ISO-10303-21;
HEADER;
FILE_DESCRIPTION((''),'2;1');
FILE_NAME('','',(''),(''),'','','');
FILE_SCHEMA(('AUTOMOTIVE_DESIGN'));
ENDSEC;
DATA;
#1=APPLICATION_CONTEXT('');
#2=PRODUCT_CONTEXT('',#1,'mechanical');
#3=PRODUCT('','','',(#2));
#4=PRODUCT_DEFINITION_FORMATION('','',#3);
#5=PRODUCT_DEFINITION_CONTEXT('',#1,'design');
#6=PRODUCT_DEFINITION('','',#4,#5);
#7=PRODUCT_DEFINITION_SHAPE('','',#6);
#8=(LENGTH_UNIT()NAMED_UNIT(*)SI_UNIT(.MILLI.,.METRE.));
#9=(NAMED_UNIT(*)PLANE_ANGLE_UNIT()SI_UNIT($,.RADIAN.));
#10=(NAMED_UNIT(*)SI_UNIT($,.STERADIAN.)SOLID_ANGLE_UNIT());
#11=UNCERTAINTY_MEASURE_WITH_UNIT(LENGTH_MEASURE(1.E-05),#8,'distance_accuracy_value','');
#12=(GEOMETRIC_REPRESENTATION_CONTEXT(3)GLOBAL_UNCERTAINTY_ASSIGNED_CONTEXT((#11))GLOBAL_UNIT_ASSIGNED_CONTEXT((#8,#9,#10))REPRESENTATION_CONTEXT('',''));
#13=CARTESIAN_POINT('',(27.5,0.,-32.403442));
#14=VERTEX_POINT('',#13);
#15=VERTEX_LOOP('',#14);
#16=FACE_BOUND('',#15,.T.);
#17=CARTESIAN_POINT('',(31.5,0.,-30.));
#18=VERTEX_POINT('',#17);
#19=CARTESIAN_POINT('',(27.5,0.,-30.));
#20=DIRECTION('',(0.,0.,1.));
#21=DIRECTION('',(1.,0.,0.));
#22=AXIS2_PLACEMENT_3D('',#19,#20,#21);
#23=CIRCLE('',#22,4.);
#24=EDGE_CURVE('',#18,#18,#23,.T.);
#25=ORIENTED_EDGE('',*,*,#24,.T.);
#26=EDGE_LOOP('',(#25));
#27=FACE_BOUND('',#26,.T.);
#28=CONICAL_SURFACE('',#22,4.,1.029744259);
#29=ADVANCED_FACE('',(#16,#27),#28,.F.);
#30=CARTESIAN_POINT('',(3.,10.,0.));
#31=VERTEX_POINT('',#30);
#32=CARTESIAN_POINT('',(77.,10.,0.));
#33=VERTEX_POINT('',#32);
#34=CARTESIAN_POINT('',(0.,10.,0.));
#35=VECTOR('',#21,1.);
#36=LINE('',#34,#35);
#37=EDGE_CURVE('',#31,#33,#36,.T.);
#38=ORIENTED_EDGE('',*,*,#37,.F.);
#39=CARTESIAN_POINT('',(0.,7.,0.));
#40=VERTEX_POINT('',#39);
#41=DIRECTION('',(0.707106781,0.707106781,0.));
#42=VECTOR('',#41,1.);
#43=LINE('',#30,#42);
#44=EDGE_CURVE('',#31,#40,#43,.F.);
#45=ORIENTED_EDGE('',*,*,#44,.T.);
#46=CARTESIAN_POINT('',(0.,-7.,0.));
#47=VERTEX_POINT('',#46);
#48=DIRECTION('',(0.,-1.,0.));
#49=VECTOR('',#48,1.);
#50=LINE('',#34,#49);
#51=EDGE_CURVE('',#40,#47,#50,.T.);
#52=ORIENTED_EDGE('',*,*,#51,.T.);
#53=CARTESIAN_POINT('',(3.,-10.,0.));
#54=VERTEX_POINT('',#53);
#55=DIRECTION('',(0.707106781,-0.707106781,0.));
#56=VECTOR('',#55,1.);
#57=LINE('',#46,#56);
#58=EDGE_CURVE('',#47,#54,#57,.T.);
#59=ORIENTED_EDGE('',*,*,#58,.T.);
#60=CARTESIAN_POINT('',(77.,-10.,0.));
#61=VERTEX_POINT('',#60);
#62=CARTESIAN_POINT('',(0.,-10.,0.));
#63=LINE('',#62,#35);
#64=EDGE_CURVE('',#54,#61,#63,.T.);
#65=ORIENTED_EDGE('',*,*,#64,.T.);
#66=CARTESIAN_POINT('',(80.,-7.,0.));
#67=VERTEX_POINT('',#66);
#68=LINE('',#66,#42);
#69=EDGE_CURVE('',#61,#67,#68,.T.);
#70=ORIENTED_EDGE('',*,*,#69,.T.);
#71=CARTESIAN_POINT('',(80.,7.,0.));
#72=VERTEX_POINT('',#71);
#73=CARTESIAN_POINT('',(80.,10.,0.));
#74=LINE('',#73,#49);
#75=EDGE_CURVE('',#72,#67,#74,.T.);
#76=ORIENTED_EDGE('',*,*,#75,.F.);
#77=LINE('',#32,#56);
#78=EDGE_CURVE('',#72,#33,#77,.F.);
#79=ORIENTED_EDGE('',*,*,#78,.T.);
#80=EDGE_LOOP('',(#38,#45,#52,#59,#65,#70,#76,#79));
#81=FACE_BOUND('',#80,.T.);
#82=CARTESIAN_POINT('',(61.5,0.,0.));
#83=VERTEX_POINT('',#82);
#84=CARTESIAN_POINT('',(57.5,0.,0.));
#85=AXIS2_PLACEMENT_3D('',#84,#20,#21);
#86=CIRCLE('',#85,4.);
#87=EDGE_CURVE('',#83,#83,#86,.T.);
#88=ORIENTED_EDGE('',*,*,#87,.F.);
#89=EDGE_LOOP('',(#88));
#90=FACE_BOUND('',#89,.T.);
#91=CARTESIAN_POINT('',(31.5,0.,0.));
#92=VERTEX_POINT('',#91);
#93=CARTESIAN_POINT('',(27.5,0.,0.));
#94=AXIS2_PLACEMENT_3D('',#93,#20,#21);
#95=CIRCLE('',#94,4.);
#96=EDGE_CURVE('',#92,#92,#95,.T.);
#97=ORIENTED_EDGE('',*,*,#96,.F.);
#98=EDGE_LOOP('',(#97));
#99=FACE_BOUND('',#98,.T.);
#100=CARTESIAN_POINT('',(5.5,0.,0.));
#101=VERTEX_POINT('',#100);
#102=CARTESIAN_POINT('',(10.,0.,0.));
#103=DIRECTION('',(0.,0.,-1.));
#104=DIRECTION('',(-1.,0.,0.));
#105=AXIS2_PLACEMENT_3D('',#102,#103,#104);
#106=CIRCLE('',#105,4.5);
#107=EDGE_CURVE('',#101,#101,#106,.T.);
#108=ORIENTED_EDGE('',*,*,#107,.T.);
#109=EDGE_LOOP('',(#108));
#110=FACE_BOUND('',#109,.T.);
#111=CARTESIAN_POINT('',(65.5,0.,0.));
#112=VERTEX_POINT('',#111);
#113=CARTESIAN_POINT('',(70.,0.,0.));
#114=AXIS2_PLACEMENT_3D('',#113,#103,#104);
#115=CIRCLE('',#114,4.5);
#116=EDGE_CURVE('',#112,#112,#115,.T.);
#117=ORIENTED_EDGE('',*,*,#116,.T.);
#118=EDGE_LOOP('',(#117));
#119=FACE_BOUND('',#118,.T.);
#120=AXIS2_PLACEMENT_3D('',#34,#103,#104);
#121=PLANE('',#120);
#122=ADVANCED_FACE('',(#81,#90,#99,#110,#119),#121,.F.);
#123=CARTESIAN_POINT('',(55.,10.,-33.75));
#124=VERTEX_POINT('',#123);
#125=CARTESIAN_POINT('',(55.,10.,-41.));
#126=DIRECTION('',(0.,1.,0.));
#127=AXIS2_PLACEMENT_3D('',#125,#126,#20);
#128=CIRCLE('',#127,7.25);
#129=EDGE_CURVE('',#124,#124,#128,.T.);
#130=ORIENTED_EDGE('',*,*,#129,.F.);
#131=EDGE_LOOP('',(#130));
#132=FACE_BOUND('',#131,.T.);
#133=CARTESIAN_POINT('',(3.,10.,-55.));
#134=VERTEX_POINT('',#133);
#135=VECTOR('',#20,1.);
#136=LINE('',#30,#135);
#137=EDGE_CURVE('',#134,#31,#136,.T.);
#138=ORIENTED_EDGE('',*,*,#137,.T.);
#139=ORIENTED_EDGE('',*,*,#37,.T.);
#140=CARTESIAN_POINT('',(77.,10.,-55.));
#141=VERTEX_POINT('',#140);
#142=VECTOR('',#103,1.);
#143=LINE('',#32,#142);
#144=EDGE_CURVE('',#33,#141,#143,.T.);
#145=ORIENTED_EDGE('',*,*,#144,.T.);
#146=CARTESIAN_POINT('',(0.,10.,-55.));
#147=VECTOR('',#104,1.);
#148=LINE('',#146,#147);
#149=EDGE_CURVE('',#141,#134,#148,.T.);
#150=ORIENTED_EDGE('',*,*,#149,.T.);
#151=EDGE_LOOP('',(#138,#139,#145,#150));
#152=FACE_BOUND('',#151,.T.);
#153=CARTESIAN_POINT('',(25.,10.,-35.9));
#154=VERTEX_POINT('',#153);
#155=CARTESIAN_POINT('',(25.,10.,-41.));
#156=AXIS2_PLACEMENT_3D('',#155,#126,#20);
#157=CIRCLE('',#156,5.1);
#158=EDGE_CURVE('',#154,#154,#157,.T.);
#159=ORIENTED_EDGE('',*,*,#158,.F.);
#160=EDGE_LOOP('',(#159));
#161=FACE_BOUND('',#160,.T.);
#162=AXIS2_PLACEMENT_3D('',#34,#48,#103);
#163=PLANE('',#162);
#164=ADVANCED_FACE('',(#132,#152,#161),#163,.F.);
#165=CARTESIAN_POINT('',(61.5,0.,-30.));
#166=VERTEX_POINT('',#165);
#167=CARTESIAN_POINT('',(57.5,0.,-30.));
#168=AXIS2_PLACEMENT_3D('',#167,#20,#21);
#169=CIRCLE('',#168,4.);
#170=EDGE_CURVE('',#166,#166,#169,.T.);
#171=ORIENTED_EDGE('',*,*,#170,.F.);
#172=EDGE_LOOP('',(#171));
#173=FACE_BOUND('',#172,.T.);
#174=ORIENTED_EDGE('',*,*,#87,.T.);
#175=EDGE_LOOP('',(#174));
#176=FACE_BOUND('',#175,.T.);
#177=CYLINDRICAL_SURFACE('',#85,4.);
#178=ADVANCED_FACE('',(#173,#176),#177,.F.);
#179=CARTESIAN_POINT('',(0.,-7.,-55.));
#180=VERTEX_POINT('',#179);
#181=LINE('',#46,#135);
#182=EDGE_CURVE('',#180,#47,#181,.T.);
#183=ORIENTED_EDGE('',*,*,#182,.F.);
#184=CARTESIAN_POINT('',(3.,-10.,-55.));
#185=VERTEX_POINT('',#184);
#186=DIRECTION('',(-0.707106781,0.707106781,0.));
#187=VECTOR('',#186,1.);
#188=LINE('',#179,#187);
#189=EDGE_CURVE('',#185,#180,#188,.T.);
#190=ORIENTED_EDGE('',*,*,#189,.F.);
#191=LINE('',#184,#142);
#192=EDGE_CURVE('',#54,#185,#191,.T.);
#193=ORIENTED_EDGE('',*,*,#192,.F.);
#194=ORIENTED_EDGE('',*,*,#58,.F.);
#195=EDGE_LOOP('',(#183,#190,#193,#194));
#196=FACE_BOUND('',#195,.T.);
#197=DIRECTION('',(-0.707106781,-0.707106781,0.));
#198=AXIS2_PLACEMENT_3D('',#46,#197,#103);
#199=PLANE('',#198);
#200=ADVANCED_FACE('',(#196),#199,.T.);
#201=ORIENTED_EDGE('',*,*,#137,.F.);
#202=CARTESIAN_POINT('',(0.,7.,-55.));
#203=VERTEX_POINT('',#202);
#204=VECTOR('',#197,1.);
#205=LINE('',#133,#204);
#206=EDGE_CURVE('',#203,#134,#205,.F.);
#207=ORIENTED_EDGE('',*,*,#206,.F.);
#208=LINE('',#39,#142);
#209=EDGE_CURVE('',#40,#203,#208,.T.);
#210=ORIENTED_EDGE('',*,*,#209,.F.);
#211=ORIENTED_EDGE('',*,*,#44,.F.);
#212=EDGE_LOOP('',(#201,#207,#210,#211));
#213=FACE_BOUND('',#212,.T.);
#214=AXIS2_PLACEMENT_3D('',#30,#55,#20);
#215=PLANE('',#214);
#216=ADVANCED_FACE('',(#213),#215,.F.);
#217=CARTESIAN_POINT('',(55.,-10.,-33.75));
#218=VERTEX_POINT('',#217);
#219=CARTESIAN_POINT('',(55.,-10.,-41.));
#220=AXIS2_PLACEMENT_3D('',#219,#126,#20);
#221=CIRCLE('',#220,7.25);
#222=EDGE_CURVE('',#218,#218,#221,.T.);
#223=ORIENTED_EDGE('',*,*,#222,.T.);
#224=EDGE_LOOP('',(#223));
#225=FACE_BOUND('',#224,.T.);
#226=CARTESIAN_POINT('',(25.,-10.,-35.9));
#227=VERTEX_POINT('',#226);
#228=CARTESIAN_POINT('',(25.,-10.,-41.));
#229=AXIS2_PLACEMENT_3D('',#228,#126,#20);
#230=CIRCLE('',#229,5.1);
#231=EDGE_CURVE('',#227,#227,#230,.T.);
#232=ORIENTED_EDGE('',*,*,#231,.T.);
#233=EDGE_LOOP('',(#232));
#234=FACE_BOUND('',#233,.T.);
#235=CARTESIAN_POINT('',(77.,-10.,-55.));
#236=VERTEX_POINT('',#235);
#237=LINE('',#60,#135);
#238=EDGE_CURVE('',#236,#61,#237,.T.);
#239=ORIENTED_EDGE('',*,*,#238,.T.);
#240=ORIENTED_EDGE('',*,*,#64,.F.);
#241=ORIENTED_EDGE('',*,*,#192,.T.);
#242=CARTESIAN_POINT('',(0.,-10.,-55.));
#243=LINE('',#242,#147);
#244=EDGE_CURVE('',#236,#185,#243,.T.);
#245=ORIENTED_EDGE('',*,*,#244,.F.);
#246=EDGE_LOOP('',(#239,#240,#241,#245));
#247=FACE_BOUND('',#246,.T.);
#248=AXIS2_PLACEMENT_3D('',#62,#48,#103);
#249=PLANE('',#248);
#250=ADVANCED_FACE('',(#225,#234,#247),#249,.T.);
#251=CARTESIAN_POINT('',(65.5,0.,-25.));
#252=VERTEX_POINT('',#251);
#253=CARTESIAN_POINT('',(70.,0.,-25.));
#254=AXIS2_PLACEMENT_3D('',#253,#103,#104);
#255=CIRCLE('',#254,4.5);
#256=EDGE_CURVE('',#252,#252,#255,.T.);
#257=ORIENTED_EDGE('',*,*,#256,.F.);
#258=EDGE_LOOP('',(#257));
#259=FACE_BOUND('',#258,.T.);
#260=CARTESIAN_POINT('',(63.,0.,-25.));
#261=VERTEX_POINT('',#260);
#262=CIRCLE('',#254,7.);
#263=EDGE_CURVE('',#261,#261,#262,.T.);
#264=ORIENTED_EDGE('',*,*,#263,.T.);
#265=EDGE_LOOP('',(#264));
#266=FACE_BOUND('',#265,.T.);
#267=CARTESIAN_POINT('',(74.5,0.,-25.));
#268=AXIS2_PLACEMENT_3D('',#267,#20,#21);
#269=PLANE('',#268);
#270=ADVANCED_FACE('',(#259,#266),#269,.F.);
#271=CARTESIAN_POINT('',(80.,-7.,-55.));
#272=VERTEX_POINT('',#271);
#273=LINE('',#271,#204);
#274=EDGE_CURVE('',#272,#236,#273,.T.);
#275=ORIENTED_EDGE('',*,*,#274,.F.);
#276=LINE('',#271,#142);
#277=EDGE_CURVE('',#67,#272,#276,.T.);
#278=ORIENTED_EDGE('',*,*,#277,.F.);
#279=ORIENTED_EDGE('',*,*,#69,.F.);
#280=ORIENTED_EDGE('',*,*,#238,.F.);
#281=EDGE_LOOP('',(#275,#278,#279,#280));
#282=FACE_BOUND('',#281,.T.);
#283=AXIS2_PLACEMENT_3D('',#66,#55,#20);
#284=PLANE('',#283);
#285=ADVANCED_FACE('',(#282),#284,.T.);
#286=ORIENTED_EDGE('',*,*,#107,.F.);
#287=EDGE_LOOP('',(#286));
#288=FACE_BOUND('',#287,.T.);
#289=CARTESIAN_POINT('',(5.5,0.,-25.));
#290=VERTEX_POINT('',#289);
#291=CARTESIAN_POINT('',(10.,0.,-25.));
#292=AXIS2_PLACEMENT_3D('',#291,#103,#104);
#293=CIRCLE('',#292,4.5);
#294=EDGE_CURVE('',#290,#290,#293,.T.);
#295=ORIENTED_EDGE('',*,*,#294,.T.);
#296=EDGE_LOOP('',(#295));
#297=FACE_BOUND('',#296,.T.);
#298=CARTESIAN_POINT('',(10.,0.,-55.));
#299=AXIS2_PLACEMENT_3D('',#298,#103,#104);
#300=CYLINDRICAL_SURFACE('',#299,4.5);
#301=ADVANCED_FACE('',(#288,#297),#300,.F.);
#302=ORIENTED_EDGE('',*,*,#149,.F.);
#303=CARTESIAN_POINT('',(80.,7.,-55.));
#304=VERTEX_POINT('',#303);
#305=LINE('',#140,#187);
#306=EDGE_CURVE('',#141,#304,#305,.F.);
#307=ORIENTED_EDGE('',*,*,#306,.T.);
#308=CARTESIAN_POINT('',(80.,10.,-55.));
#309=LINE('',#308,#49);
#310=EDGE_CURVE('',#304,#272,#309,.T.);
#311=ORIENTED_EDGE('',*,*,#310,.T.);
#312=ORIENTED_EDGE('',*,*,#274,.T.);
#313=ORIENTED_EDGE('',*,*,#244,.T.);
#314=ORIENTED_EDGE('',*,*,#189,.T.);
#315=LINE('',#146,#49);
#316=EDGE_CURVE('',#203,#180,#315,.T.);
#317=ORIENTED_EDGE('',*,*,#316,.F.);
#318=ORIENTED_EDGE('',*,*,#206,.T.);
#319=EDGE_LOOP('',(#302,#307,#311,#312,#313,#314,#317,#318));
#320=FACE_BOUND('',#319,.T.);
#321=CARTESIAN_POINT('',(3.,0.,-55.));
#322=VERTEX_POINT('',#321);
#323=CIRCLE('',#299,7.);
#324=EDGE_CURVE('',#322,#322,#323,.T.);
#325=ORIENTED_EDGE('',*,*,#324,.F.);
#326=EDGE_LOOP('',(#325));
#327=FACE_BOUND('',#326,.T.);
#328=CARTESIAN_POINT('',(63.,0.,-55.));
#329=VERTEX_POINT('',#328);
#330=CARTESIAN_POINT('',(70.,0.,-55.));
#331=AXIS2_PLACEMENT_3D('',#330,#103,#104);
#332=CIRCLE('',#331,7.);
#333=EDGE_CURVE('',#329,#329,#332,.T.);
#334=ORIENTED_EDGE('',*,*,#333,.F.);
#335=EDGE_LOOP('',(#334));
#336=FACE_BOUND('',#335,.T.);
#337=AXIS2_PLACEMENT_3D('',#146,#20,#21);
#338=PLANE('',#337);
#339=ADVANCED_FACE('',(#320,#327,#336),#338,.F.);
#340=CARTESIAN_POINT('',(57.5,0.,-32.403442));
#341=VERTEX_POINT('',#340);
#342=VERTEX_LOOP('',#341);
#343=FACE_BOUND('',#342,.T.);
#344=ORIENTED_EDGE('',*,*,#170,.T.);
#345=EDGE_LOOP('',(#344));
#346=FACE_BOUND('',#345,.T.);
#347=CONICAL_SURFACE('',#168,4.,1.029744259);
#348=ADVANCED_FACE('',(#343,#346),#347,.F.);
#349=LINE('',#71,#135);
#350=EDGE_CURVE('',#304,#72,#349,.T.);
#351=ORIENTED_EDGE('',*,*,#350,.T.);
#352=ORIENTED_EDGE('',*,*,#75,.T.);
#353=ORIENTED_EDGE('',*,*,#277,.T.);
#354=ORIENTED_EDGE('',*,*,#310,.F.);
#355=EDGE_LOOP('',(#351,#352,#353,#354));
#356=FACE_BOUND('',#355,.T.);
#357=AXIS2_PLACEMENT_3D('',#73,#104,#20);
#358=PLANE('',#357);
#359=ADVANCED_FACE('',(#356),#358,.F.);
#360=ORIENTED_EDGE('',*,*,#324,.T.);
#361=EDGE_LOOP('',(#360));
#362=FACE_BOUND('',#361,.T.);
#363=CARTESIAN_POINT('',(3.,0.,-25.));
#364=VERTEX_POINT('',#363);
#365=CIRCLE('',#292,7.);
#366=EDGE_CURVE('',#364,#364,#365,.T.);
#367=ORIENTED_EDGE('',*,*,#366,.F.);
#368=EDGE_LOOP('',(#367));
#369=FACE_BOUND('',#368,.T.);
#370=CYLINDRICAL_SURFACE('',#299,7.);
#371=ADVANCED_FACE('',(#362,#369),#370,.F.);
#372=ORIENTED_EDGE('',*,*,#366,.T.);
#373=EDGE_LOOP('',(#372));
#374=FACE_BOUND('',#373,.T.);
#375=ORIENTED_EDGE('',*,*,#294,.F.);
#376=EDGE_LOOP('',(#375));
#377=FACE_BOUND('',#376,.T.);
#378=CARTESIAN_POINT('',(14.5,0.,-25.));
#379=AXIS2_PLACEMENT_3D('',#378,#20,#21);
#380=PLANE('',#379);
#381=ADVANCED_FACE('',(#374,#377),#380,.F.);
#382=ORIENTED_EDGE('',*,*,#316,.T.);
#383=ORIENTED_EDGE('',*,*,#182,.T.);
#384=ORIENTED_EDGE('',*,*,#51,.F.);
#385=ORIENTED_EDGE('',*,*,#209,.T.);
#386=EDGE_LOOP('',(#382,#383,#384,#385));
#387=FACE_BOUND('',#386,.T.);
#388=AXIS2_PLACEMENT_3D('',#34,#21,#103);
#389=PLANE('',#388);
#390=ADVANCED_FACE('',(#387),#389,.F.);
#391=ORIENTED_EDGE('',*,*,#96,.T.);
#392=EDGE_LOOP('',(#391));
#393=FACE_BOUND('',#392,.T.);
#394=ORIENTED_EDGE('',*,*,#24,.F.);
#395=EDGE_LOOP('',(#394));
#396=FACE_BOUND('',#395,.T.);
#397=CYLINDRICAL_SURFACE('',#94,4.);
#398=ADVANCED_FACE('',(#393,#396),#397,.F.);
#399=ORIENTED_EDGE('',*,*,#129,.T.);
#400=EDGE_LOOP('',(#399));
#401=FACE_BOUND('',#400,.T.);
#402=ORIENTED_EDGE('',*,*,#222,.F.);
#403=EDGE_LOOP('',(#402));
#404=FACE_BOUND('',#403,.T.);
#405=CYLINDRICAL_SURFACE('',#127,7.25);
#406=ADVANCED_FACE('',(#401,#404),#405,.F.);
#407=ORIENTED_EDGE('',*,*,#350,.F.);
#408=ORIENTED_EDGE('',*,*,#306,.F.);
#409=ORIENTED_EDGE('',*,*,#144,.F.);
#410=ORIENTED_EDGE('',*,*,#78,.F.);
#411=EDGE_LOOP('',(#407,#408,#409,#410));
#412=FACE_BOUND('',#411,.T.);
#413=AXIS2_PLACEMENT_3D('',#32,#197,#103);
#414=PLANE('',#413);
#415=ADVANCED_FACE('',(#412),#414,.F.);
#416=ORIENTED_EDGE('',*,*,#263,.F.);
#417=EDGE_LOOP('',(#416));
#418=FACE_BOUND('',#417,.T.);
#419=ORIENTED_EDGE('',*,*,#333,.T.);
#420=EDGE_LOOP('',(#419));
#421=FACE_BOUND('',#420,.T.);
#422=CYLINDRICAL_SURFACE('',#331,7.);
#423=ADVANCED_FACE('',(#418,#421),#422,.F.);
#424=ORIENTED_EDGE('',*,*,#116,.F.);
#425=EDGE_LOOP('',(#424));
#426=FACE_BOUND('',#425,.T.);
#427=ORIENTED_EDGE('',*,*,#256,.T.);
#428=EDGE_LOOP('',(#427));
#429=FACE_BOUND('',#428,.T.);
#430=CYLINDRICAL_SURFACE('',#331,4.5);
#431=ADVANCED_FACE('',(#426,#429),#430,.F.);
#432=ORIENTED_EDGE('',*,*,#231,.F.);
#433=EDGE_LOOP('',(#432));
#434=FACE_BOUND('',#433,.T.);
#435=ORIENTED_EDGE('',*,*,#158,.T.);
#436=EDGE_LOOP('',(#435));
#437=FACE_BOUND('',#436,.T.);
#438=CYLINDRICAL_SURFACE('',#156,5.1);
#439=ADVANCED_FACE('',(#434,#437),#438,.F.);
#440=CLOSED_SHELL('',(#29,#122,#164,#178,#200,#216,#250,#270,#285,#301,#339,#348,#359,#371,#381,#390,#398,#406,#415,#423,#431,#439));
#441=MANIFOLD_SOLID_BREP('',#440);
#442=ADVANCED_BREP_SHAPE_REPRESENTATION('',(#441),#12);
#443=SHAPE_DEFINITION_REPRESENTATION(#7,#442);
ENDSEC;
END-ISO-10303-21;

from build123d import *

# Parameters (mm, degrees)
SKETCH1_W                                           = 80
SKETCH1_H                                           = 55
BOSS_EXTRUDE1_DEPTH                                 = 10
M12_TAPPED_HOLE1_D                                  = 10.2
M16X1_5_TAPPED_HOLE1_D                              = 14.5
CBORE_FOR_M8_HEX_SOCKET_HEAD_CAP_SCREW2_D           = 9
CBORE_FOR_M8_HEX_SOCKET_HEAD_CAP_SCREW2_CBORE_D     = 14
CBORE_FOR_M8_HEX_SOCKET_HEAD_CAP_SCREW2_CBORE_DEPTH = 30
F_8_0_8_DIAMETER_HOLE1_D                            = 8
F_8_0_8_DIAMETER_HOLE1_DEPTH                        = 30
F_8_0_8_DIAMETER_HOLE1_TIP                          = 2.403442476
CHAMFER1_SIZE                                       = 3


with BuildPart() as part:
    # Sketch1 → Boss-Extrude1 (new, symmetric)
    with BuildSketch(Plane(origin=(0, 0, 0), x_dir=(1, 0, 0), z_dir=(0, 1, 0))):
        with Locations((40, 27.5)):
            Rectangle(SKETCH1_W, SKETCH1_H)
    extrude(amount=BOSS_EXTRUDE1_DEPTH, both=True)

    # M12 Tapped Hole1 (through all)
    with Locations(Plane(origin=(0, 10, 0), x_dir=(1, 0, 0), z_dir=(0, 1, 0))):
        with Locations((25, 41)):
            Hole(M12_TAPPED_HOLE1_D / 2)

    # M16x1.5 Tapped Hole1 (through all)
    with Locations(Plane(origin=(0, 10, 0), x_dir=(1, 0, 0), z_dir=(0, 1, 0))):
        with Locations((55, 41)):
            Hole(M16X1_5_TAPPED_HOLE1_D / 2)

    # CBORE for M8 Hex Socket Head Cap Screw2 (through all)
    with Locations(Plane(origin=(0, 0, -55), x_dir=(-1, 0, 0), z_dir=(0, 0, -1))):
        with Locations((-70, 0), (-10, 0)):
            CounterBoreHole(CBORE_FOR_M8_HEX_SOCKET_HEAD_CAP_SCREW2_D / 2, CBORE_FOR_M8_HEX_SOCKET_HEAD_CAP_SCREW2_CBORE_D / 2, CBORE_FOR_M8_HEX_SOCKET_HEAD_CAP_SCREW2_CBORE_DEPTH)

    # Ø8.0 (8) Diameter Hole1
    with Locations(Plane.XY):
        with Locations((27.5, 0), (57.5, 0)):
            Hole(F_8_0_8_DIAMETER_HOLE1_D / 2, depth=F_8_0_8_DIAMETER_HOLE1_DEPTH)
            with Locations((0, 0, -(F_8_0_8_DIAMETER_HOLE1_DEPTH + F_8_0_8_DIAMETER_HOLE1_TIP / 2))):  # 118° drill point
                Cone(0, F_8_0_8_DIAMETER_HOLE1_D / 2, F_8_0_8_DIAMETER_HOLE1_TIP, mode=Mode.SUBTRACT)

    # Chamfer1
    chamfer1_edges = [part.edges().sort_by_distance(p)[0] for p in [
        (80, 10, -27.5),
        (0, 10, -27.5),
        (80, -10, -27.5),
        (0, -10, -27.5),
    ]]
    chamfer(chamfer1_edges, length=CHAMFER1_SIZE)


solid = part.part
